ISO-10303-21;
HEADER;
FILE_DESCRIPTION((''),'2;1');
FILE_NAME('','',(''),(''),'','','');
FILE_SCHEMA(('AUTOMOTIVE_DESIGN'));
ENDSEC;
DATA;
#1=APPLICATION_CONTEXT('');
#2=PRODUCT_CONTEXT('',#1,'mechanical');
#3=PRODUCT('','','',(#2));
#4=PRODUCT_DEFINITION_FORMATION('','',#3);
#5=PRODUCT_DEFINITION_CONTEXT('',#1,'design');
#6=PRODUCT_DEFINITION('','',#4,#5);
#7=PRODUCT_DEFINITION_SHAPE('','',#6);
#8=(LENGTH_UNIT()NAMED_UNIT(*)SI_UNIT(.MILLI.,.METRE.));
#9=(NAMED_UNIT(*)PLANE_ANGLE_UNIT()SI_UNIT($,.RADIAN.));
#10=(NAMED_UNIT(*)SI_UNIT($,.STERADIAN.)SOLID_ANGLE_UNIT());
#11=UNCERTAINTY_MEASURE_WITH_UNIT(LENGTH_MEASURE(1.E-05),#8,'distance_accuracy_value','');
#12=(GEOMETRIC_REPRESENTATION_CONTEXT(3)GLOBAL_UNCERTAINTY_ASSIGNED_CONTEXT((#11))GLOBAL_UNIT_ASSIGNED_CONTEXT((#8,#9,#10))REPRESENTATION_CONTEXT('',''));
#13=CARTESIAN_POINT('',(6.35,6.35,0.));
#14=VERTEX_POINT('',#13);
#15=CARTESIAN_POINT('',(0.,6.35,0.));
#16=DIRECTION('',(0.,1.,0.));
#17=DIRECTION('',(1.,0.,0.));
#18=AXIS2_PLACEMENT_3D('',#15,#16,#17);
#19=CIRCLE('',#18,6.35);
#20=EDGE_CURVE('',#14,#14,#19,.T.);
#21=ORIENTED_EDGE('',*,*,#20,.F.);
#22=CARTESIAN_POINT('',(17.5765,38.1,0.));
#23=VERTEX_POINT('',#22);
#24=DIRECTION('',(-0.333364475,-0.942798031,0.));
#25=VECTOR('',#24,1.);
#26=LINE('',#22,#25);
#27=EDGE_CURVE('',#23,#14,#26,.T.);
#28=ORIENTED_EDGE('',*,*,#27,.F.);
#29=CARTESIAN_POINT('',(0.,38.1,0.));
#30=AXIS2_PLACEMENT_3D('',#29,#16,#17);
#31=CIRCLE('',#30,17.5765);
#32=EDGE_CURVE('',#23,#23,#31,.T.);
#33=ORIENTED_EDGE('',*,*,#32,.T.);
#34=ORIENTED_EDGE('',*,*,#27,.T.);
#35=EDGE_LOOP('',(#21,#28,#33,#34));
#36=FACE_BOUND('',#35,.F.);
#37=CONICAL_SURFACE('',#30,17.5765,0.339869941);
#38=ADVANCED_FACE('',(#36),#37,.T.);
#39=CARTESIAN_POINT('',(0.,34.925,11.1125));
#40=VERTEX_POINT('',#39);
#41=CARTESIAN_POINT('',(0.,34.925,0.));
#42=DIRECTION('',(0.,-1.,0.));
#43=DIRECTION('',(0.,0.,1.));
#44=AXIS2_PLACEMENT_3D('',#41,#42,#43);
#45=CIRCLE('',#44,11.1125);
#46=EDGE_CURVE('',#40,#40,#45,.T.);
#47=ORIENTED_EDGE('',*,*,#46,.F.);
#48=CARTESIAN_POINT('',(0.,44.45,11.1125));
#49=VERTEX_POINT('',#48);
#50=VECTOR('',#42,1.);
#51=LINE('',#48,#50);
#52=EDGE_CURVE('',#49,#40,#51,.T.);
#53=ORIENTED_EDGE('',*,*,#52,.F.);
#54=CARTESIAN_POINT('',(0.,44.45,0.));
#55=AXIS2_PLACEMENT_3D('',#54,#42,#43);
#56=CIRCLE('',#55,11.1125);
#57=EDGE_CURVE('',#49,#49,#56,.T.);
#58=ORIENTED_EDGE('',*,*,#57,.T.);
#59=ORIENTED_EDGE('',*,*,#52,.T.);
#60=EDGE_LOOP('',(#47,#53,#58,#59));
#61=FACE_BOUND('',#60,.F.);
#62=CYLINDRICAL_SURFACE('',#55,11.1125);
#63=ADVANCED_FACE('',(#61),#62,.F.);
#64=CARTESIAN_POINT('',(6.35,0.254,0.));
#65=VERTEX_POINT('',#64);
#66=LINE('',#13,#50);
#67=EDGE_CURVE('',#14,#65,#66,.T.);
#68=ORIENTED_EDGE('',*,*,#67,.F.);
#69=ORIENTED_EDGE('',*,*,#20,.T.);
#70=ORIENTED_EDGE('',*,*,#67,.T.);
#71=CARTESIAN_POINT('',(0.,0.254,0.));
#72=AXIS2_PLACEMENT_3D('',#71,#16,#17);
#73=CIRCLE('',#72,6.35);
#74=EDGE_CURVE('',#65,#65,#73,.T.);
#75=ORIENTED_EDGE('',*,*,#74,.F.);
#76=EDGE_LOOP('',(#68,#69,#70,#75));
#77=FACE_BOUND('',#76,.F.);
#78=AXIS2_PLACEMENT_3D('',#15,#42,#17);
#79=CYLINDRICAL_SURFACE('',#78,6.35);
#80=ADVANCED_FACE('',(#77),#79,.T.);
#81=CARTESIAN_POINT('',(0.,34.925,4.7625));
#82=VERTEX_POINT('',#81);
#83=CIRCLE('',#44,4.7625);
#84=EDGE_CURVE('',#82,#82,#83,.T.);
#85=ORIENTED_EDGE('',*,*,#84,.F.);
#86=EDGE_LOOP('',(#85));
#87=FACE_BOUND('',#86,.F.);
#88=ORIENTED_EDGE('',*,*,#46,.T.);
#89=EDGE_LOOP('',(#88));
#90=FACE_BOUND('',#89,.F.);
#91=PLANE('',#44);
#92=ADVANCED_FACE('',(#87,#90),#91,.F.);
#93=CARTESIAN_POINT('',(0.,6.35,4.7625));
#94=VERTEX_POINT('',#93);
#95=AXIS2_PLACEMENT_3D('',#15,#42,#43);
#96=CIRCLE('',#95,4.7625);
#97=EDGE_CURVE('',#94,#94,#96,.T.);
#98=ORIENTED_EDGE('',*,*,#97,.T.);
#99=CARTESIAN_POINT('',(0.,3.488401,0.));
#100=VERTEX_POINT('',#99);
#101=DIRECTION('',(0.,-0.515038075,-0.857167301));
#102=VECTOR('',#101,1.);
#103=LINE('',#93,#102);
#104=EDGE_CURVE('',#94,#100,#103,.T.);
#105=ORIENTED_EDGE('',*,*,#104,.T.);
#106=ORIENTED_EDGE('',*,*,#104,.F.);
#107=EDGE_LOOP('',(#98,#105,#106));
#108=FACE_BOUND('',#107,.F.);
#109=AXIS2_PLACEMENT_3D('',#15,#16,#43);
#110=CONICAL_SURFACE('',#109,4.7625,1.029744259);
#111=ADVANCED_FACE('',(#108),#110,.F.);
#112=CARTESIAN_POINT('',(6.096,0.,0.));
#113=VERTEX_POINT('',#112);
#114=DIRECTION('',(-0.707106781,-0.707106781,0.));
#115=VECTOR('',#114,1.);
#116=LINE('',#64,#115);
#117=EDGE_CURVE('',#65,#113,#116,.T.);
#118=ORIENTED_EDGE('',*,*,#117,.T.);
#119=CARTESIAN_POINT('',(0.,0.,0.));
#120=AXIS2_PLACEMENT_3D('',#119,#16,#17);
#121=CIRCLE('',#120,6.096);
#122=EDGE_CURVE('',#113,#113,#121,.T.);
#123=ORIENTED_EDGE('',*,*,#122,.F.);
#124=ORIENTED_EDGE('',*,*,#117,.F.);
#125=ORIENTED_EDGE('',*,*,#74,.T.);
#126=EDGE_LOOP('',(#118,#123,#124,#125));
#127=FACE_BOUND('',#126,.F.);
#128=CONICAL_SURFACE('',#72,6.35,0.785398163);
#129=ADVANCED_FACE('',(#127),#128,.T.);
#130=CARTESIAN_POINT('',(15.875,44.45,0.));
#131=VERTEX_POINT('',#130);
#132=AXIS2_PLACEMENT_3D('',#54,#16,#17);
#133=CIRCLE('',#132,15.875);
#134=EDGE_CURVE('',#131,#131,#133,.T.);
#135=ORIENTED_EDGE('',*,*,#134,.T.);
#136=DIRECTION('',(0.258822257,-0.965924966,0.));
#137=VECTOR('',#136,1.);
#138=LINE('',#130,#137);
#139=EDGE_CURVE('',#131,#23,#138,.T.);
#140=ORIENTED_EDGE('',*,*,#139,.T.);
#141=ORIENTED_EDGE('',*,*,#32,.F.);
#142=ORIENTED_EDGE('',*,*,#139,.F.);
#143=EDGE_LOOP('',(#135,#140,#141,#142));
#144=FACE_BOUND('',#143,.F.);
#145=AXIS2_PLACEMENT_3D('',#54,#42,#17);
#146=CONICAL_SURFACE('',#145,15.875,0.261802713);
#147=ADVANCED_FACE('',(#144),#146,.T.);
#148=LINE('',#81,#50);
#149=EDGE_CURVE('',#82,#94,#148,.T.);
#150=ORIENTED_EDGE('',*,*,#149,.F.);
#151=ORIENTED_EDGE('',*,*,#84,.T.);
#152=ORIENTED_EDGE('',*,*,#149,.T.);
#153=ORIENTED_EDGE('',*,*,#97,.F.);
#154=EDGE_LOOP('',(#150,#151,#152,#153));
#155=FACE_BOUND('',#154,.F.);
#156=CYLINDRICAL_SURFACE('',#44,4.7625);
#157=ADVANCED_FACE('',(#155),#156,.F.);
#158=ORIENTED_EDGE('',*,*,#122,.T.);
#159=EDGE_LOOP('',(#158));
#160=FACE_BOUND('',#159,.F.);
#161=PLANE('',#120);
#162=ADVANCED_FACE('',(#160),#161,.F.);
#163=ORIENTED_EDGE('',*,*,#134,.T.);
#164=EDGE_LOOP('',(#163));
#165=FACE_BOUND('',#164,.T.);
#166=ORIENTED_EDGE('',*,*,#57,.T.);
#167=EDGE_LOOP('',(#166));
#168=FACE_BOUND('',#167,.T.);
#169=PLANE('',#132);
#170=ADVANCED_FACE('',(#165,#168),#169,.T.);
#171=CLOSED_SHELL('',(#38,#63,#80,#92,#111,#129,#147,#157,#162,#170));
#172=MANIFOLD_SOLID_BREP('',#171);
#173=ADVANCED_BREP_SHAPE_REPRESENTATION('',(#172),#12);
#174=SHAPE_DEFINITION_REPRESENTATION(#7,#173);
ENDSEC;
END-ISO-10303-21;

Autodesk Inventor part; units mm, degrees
ref_plane "YZ Plane" through (0, 0, 0) normal (1, 0, 0) x (0, 1, 0)
ref_plane "XZ Plane" through (0, 0, 0) normal (0, 1, 0) x (-1, 0, 0)
ref_plane "XY Plane" through (0, 0, 0) normal (0, 0, 1) x (1, 0, 0)
sketch "Sketch1" plane through (0, 0, 0) normal (0, 0, 1) x (1, 0, 0)
  line L0 (15.875, 44.45) -> (17.5765, 38.1)
  line L1 (17.5765, 38.1) -> (6.35, 6.35)
  line L2 (6.35, 6.35) -> (6.35, 0)
  line L3 (6.35, 0) -> (0, 0)
  line L4 (0, 0) -> (0, 44.45)
  line L5 (15.875, 44.45) -> (0, 44.45)
  dimension "d0" = 6.35
  dimension "d1" = 6.35
  dimension "d2" = 44.45
  dimension "d3" = 75
  dimension "d4" = 38.1
revolve "Revolution1" add sketch "Sketch1" angle 360 about axis through (0, 0, 0) along (0, 1, 0)
sketch "Sketch2" plane through (0, 44.45, 0) normal (0, 1, 0) x (1, 0, 0)
  point P0 (0, 0)
  point P1 (0, 0)
hole "Hole1" at (0, 44.45, 0) direction (0, -1, 0) diameter 9.525 depth 38.1 tip angle 118 counterbore diameter 22.225 counterbore depth 9.525
chamfer "Chamfer1" distance 0.254 angle 45 1 edges at (-6.35, 0, 0)
properties part number "Stack"
